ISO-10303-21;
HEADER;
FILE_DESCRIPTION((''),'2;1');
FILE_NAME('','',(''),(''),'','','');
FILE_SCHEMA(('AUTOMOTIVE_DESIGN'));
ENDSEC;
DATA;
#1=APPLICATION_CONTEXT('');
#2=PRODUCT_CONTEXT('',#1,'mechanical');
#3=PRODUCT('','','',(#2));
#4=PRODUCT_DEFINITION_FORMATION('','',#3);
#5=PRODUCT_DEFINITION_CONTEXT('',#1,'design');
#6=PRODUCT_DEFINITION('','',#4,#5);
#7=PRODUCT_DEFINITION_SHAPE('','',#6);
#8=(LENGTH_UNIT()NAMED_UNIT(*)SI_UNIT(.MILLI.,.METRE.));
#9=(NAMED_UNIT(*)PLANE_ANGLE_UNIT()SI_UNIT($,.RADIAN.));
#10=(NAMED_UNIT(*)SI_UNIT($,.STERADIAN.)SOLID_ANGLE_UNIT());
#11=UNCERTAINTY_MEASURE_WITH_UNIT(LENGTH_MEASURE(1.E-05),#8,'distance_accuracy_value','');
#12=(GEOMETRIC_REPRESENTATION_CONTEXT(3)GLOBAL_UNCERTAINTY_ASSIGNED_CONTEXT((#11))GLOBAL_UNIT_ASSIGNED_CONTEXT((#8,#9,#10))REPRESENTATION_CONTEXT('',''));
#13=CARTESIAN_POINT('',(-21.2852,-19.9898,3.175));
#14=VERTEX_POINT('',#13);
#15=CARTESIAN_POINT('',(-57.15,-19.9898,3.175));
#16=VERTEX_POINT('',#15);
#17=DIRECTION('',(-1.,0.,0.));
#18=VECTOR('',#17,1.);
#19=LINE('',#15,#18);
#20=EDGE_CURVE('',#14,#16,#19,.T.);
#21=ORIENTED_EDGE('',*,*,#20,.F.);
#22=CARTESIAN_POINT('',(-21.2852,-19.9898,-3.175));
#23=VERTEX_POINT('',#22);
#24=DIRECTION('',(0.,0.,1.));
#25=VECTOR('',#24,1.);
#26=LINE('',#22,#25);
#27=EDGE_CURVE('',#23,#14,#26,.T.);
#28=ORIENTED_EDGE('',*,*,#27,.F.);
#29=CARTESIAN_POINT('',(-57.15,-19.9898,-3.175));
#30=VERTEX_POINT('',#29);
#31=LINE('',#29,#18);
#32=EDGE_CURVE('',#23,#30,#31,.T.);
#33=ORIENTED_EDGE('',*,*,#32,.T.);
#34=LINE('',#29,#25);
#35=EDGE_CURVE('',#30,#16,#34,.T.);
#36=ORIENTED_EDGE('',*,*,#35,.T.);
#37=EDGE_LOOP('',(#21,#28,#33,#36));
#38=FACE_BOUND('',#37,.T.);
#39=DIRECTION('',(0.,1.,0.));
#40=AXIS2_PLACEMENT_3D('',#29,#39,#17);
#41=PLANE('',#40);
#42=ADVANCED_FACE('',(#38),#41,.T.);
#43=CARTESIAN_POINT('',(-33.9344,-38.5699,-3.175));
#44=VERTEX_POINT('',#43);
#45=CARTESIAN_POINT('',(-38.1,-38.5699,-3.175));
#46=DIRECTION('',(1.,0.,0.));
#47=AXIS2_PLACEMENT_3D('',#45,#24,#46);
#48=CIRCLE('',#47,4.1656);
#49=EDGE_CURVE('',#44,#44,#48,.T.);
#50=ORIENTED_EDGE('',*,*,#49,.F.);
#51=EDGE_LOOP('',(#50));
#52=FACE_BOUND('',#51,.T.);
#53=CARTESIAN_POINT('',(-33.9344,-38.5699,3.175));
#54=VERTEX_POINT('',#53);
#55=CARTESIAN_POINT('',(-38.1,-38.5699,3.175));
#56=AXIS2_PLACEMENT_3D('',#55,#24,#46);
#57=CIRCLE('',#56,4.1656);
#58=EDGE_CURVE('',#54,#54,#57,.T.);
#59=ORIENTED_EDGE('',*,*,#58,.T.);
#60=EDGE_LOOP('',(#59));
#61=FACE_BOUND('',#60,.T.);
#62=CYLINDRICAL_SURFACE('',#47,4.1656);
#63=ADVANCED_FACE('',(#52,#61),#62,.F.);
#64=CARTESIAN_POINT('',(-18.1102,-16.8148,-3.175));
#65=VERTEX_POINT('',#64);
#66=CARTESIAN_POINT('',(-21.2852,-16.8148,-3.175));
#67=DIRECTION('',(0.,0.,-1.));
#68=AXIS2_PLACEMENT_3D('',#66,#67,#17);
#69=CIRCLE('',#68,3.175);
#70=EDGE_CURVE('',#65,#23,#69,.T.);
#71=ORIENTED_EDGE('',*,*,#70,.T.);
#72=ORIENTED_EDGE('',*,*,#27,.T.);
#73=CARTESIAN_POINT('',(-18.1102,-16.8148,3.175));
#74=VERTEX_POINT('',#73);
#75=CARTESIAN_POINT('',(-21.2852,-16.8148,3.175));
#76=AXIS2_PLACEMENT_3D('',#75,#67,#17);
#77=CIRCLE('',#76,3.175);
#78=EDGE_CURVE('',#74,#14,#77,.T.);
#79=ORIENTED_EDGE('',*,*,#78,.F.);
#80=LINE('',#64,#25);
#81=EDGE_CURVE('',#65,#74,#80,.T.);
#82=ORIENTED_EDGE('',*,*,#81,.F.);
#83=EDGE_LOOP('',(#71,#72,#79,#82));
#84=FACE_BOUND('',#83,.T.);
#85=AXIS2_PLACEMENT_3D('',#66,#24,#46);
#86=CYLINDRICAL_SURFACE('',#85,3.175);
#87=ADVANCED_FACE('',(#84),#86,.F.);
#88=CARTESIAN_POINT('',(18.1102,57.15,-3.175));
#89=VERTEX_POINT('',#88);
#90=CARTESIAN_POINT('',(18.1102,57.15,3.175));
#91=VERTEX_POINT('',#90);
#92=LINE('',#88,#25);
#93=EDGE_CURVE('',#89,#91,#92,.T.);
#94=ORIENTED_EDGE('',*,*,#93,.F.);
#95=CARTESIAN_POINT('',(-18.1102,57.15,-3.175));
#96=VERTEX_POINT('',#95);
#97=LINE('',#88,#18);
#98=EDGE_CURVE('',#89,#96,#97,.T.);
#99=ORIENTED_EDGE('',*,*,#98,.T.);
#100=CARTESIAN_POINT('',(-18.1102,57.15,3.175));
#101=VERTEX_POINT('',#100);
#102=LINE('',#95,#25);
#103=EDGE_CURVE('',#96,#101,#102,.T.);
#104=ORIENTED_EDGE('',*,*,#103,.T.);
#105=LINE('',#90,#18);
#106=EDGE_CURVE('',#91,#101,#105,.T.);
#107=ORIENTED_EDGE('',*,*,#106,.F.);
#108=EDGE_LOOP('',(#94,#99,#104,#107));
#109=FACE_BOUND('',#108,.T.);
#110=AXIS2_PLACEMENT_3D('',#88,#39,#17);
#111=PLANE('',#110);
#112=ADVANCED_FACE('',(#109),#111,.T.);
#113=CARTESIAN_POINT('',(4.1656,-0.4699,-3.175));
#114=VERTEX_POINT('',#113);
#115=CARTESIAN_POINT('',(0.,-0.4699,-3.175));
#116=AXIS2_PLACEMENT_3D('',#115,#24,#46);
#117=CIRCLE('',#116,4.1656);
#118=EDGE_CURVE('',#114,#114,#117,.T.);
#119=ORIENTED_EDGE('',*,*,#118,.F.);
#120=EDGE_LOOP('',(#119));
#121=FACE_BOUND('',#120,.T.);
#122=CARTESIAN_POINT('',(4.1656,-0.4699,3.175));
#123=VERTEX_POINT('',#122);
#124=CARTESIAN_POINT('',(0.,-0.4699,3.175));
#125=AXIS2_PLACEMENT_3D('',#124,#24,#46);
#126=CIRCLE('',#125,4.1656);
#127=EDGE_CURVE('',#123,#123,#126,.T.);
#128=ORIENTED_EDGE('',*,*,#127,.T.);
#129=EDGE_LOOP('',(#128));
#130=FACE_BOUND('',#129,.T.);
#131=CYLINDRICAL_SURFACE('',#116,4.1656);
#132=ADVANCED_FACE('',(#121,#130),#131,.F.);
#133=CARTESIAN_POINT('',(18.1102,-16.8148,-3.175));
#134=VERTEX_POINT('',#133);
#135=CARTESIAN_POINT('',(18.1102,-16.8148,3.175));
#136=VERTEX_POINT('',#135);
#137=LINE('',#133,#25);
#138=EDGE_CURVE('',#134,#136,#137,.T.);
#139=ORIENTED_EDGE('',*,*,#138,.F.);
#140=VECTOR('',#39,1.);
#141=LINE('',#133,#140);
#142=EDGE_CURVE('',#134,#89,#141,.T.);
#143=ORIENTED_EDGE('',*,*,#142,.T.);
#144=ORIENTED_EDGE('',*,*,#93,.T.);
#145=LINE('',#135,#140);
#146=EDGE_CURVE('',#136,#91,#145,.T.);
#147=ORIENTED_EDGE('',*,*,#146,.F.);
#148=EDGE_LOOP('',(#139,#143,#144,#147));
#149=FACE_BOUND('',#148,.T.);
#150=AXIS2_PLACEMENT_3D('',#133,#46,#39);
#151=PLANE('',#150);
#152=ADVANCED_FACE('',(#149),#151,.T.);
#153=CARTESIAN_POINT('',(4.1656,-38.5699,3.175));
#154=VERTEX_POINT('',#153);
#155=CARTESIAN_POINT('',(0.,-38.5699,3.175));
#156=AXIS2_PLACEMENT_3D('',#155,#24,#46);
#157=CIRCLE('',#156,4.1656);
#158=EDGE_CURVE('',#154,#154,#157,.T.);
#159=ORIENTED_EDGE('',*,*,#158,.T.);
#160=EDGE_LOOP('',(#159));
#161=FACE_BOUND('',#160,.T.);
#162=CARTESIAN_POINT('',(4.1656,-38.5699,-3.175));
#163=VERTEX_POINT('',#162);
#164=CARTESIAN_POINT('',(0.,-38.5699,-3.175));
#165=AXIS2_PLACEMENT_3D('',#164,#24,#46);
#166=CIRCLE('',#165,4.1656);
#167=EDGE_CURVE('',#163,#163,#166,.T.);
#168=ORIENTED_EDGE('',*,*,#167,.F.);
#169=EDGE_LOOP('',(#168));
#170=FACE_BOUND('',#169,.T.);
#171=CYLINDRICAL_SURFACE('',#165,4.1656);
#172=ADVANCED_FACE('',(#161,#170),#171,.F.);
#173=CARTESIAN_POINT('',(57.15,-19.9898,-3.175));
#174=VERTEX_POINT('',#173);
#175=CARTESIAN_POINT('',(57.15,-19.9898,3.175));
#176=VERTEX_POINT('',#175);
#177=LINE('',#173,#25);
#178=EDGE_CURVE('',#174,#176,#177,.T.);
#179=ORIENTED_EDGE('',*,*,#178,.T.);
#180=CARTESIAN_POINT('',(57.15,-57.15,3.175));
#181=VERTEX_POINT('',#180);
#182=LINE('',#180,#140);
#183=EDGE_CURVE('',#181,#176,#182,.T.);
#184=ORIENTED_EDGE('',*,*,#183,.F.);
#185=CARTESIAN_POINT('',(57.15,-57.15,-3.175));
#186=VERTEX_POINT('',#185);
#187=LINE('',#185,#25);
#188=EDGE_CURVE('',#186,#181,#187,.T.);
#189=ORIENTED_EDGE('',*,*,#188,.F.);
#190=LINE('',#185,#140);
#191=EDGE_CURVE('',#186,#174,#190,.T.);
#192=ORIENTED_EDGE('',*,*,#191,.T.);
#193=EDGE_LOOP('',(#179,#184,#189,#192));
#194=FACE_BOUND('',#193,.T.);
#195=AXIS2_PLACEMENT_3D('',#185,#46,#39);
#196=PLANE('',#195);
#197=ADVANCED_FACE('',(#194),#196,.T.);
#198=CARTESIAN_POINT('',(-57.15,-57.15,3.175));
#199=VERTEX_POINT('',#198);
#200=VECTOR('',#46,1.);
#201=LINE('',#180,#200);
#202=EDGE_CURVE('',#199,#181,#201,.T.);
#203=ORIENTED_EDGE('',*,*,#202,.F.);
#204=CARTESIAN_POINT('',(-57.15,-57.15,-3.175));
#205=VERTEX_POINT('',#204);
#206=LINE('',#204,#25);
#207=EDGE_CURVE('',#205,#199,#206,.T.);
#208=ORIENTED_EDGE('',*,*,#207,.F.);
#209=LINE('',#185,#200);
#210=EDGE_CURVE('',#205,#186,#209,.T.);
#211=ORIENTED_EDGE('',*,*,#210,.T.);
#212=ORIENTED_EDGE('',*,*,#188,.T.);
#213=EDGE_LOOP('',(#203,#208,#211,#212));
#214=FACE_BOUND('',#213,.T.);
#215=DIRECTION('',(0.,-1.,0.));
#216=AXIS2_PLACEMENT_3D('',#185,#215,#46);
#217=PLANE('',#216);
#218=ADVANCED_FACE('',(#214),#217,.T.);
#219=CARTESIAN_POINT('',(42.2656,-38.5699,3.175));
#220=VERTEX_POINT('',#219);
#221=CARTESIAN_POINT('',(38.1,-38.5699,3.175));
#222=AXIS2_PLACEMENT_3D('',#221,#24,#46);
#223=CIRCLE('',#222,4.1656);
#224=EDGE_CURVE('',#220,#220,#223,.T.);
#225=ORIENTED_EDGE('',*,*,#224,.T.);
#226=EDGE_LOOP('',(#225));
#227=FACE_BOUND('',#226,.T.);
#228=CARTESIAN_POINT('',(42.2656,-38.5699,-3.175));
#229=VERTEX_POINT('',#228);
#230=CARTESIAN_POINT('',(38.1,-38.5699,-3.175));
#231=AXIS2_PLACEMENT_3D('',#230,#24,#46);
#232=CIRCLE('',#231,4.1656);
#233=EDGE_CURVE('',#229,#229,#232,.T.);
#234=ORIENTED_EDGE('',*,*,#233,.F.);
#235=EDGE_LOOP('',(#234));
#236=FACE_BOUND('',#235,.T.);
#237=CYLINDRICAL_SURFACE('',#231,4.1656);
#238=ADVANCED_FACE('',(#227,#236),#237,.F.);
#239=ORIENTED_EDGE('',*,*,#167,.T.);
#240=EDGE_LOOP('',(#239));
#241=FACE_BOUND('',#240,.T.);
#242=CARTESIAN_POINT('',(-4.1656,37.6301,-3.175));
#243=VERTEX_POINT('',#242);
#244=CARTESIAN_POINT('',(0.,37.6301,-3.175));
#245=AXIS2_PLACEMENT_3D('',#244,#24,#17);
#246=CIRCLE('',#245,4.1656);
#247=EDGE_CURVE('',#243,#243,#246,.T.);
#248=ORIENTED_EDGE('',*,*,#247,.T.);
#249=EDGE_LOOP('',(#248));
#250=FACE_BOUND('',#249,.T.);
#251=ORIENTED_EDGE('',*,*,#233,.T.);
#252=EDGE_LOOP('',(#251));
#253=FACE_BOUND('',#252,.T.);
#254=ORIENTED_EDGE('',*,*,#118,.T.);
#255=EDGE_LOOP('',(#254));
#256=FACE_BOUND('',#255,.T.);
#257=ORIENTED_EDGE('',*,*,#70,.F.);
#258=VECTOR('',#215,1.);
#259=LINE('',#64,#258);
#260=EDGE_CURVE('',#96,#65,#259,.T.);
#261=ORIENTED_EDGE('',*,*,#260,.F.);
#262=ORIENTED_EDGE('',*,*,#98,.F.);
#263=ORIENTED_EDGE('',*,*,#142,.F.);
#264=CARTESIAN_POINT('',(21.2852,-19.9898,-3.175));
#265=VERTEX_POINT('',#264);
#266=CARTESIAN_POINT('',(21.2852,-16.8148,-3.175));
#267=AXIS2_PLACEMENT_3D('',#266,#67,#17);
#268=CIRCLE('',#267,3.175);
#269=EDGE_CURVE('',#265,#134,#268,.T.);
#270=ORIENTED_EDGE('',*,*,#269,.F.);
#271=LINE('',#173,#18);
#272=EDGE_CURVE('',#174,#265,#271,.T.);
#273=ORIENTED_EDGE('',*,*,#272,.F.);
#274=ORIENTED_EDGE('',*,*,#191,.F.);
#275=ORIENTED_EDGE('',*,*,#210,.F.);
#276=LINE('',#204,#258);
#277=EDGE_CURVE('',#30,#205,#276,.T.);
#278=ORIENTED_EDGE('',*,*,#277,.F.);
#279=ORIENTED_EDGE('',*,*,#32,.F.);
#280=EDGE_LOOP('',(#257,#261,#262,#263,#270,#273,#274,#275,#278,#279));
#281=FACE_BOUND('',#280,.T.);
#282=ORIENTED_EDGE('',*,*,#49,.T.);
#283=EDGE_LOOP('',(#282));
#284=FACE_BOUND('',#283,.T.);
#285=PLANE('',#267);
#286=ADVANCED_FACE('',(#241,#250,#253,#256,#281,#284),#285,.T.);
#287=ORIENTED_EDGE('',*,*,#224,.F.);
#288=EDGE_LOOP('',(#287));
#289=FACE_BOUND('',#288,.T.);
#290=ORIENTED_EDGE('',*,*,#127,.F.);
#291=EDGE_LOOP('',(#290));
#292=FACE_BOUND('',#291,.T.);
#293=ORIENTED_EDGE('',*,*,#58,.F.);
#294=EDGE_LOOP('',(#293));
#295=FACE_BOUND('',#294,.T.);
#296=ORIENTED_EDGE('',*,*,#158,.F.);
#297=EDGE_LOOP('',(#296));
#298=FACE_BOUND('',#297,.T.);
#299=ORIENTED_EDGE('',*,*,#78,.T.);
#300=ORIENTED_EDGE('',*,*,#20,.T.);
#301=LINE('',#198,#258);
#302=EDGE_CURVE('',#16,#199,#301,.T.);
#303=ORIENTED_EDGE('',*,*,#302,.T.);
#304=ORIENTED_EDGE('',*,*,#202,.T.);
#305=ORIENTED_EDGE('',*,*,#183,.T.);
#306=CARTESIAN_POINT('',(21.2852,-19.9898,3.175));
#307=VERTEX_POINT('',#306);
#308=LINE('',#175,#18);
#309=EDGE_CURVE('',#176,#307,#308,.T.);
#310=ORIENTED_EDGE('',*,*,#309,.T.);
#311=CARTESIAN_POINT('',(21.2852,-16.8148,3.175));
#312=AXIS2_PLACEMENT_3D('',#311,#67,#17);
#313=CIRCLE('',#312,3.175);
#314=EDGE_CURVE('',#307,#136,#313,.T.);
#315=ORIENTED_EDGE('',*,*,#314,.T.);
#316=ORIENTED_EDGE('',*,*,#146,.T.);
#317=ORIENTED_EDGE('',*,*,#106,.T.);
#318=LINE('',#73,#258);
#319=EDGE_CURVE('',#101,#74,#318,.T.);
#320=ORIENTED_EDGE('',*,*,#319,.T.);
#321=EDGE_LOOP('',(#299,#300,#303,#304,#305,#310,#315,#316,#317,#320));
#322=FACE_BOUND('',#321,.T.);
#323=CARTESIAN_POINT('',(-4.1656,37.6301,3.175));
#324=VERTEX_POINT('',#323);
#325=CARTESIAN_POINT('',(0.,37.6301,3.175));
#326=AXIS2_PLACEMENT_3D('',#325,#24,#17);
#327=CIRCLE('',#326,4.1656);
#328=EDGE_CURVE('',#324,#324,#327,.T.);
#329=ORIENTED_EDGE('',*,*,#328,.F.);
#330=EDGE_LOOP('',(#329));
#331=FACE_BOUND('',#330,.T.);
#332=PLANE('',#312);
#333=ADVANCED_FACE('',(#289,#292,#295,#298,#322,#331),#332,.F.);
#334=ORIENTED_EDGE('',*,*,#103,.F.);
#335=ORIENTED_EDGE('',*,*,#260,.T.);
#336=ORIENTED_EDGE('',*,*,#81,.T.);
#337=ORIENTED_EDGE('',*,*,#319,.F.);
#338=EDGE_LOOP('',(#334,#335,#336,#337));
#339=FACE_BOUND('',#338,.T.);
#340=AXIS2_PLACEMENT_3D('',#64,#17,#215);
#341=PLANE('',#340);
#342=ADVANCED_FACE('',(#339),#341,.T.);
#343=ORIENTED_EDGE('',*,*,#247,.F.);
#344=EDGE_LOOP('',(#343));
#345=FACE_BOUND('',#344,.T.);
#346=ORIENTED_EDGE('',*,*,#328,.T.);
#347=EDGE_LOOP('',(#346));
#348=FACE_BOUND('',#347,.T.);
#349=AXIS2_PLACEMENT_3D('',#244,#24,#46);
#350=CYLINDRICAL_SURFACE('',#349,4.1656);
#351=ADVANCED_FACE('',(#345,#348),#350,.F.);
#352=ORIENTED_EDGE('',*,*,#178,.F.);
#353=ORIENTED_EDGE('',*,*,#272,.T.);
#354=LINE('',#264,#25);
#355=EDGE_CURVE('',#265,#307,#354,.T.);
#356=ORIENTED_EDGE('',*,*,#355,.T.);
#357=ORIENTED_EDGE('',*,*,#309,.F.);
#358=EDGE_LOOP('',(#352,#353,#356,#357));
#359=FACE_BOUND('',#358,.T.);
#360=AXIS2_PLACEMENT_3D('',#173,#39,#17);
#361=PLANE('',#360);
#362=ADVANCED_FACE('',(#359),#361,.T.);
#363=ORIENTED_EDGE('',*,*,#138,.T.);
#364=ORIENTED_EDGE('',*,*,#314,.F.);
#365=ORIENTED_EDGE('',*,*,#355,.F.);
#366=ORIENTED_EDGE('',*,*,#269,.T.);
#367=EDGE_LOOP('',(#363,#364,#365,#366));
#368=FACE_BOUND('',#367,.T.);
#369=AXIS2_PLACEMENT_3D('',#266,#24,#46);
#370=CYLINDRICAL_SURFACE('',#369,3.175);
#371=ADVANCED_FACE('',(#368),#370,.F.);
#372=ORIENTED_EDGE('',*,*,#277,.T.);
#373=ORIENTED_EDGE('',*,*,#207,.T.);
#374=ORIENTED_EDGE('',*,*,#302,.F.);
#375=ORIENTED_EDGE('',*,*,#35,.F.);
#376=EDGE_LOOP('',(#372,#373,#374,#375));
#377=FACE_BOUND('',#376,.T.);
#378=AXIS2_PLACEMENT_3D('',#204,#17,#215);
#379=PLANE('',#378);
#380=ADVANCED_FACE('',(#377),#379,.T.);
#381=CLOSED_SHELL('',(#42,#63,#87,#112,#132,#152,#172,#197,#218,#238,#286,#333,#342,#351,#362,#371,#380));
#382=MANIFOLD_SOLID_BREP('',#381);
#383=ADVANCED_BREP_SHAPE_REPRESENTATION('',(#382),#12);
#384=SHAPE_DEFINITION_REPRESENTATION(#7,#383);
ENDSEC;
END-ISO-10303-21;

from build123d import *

# Parameters (mm, degrees)
BOSS_EXTRUDE1_DEPTH      = 3.175
BOSS_EXTRUDE1_DEPTH_BACK = 3.175
SKETCH4_R                = 4.1656
CUT_EXTRUDE1_DEPTH       = 82.071372876


with BuildPart() as part:
    # Sketch3 → Boss-Extrude1 (new, two sides: drawn at the far end of the back side and taken through both)
    with BuildSketch(Plane.XY.offset(-BOSS_EXTRUDE1_DEPTH_BACK)):
        with BuildLine():
            Line((57.15, -57.15), (-57.15, -57.15))
            Line((-57.15, -57.15), (-57.15, -19.9898))
            Line((-57.15, -19.9898), (-21.2852, -19.9898))
            ThreePointArc((-21.2852, -19.9898), (-19.04013597, -19.05986403), (-18.1102, -16.8148))
            Line((-18.1102, -16.8148), (-18.1102, 57.15))
            Line((-18.1102, 57.15), (18.1102, 57.15))
            Line((18.1102, 57.15), (18.1102, -16.8148))
            ThreePointArc((18.1102, -16.8148), (19.04013597, -19.05986403), (21.2852, -19.9898))
            Line((21.2852, -19.9898), (57.15, -19.9898))
            Line((57.15, -19.9898), (57.15, -57.15))
        make_face()
    extrude(amount=BOSS_EXTRUDE1_DEPTH + BOSS_EXTRUDE1_DEPTH_BACK)

    # Sketch4 → Cut-Extrude1 (cut, through all)
    with BuildSketch(Plane.XY.offset(3.175)):
        with Locations((38.1, -38.5699)):
            Circle(SKETCH4_R)
        with Locations((0, -38.5699)):
            Circle(SKETCH4_R)
        with Locations((-38.1, -38.5699)):
            Circle(SKETCH4_R)
        with Locations((0, -0.4699)):
            Circle(SKETCH4_R)
        with Locations(Location((0, 37.6301, 0), (0, 0, 180))):
            Circle(SKETCH4_R)
    extrude(amount=-CUT_EXTRUDE1_DEPTH, mode=Mode.SUBTRACT)


solid = part.part
